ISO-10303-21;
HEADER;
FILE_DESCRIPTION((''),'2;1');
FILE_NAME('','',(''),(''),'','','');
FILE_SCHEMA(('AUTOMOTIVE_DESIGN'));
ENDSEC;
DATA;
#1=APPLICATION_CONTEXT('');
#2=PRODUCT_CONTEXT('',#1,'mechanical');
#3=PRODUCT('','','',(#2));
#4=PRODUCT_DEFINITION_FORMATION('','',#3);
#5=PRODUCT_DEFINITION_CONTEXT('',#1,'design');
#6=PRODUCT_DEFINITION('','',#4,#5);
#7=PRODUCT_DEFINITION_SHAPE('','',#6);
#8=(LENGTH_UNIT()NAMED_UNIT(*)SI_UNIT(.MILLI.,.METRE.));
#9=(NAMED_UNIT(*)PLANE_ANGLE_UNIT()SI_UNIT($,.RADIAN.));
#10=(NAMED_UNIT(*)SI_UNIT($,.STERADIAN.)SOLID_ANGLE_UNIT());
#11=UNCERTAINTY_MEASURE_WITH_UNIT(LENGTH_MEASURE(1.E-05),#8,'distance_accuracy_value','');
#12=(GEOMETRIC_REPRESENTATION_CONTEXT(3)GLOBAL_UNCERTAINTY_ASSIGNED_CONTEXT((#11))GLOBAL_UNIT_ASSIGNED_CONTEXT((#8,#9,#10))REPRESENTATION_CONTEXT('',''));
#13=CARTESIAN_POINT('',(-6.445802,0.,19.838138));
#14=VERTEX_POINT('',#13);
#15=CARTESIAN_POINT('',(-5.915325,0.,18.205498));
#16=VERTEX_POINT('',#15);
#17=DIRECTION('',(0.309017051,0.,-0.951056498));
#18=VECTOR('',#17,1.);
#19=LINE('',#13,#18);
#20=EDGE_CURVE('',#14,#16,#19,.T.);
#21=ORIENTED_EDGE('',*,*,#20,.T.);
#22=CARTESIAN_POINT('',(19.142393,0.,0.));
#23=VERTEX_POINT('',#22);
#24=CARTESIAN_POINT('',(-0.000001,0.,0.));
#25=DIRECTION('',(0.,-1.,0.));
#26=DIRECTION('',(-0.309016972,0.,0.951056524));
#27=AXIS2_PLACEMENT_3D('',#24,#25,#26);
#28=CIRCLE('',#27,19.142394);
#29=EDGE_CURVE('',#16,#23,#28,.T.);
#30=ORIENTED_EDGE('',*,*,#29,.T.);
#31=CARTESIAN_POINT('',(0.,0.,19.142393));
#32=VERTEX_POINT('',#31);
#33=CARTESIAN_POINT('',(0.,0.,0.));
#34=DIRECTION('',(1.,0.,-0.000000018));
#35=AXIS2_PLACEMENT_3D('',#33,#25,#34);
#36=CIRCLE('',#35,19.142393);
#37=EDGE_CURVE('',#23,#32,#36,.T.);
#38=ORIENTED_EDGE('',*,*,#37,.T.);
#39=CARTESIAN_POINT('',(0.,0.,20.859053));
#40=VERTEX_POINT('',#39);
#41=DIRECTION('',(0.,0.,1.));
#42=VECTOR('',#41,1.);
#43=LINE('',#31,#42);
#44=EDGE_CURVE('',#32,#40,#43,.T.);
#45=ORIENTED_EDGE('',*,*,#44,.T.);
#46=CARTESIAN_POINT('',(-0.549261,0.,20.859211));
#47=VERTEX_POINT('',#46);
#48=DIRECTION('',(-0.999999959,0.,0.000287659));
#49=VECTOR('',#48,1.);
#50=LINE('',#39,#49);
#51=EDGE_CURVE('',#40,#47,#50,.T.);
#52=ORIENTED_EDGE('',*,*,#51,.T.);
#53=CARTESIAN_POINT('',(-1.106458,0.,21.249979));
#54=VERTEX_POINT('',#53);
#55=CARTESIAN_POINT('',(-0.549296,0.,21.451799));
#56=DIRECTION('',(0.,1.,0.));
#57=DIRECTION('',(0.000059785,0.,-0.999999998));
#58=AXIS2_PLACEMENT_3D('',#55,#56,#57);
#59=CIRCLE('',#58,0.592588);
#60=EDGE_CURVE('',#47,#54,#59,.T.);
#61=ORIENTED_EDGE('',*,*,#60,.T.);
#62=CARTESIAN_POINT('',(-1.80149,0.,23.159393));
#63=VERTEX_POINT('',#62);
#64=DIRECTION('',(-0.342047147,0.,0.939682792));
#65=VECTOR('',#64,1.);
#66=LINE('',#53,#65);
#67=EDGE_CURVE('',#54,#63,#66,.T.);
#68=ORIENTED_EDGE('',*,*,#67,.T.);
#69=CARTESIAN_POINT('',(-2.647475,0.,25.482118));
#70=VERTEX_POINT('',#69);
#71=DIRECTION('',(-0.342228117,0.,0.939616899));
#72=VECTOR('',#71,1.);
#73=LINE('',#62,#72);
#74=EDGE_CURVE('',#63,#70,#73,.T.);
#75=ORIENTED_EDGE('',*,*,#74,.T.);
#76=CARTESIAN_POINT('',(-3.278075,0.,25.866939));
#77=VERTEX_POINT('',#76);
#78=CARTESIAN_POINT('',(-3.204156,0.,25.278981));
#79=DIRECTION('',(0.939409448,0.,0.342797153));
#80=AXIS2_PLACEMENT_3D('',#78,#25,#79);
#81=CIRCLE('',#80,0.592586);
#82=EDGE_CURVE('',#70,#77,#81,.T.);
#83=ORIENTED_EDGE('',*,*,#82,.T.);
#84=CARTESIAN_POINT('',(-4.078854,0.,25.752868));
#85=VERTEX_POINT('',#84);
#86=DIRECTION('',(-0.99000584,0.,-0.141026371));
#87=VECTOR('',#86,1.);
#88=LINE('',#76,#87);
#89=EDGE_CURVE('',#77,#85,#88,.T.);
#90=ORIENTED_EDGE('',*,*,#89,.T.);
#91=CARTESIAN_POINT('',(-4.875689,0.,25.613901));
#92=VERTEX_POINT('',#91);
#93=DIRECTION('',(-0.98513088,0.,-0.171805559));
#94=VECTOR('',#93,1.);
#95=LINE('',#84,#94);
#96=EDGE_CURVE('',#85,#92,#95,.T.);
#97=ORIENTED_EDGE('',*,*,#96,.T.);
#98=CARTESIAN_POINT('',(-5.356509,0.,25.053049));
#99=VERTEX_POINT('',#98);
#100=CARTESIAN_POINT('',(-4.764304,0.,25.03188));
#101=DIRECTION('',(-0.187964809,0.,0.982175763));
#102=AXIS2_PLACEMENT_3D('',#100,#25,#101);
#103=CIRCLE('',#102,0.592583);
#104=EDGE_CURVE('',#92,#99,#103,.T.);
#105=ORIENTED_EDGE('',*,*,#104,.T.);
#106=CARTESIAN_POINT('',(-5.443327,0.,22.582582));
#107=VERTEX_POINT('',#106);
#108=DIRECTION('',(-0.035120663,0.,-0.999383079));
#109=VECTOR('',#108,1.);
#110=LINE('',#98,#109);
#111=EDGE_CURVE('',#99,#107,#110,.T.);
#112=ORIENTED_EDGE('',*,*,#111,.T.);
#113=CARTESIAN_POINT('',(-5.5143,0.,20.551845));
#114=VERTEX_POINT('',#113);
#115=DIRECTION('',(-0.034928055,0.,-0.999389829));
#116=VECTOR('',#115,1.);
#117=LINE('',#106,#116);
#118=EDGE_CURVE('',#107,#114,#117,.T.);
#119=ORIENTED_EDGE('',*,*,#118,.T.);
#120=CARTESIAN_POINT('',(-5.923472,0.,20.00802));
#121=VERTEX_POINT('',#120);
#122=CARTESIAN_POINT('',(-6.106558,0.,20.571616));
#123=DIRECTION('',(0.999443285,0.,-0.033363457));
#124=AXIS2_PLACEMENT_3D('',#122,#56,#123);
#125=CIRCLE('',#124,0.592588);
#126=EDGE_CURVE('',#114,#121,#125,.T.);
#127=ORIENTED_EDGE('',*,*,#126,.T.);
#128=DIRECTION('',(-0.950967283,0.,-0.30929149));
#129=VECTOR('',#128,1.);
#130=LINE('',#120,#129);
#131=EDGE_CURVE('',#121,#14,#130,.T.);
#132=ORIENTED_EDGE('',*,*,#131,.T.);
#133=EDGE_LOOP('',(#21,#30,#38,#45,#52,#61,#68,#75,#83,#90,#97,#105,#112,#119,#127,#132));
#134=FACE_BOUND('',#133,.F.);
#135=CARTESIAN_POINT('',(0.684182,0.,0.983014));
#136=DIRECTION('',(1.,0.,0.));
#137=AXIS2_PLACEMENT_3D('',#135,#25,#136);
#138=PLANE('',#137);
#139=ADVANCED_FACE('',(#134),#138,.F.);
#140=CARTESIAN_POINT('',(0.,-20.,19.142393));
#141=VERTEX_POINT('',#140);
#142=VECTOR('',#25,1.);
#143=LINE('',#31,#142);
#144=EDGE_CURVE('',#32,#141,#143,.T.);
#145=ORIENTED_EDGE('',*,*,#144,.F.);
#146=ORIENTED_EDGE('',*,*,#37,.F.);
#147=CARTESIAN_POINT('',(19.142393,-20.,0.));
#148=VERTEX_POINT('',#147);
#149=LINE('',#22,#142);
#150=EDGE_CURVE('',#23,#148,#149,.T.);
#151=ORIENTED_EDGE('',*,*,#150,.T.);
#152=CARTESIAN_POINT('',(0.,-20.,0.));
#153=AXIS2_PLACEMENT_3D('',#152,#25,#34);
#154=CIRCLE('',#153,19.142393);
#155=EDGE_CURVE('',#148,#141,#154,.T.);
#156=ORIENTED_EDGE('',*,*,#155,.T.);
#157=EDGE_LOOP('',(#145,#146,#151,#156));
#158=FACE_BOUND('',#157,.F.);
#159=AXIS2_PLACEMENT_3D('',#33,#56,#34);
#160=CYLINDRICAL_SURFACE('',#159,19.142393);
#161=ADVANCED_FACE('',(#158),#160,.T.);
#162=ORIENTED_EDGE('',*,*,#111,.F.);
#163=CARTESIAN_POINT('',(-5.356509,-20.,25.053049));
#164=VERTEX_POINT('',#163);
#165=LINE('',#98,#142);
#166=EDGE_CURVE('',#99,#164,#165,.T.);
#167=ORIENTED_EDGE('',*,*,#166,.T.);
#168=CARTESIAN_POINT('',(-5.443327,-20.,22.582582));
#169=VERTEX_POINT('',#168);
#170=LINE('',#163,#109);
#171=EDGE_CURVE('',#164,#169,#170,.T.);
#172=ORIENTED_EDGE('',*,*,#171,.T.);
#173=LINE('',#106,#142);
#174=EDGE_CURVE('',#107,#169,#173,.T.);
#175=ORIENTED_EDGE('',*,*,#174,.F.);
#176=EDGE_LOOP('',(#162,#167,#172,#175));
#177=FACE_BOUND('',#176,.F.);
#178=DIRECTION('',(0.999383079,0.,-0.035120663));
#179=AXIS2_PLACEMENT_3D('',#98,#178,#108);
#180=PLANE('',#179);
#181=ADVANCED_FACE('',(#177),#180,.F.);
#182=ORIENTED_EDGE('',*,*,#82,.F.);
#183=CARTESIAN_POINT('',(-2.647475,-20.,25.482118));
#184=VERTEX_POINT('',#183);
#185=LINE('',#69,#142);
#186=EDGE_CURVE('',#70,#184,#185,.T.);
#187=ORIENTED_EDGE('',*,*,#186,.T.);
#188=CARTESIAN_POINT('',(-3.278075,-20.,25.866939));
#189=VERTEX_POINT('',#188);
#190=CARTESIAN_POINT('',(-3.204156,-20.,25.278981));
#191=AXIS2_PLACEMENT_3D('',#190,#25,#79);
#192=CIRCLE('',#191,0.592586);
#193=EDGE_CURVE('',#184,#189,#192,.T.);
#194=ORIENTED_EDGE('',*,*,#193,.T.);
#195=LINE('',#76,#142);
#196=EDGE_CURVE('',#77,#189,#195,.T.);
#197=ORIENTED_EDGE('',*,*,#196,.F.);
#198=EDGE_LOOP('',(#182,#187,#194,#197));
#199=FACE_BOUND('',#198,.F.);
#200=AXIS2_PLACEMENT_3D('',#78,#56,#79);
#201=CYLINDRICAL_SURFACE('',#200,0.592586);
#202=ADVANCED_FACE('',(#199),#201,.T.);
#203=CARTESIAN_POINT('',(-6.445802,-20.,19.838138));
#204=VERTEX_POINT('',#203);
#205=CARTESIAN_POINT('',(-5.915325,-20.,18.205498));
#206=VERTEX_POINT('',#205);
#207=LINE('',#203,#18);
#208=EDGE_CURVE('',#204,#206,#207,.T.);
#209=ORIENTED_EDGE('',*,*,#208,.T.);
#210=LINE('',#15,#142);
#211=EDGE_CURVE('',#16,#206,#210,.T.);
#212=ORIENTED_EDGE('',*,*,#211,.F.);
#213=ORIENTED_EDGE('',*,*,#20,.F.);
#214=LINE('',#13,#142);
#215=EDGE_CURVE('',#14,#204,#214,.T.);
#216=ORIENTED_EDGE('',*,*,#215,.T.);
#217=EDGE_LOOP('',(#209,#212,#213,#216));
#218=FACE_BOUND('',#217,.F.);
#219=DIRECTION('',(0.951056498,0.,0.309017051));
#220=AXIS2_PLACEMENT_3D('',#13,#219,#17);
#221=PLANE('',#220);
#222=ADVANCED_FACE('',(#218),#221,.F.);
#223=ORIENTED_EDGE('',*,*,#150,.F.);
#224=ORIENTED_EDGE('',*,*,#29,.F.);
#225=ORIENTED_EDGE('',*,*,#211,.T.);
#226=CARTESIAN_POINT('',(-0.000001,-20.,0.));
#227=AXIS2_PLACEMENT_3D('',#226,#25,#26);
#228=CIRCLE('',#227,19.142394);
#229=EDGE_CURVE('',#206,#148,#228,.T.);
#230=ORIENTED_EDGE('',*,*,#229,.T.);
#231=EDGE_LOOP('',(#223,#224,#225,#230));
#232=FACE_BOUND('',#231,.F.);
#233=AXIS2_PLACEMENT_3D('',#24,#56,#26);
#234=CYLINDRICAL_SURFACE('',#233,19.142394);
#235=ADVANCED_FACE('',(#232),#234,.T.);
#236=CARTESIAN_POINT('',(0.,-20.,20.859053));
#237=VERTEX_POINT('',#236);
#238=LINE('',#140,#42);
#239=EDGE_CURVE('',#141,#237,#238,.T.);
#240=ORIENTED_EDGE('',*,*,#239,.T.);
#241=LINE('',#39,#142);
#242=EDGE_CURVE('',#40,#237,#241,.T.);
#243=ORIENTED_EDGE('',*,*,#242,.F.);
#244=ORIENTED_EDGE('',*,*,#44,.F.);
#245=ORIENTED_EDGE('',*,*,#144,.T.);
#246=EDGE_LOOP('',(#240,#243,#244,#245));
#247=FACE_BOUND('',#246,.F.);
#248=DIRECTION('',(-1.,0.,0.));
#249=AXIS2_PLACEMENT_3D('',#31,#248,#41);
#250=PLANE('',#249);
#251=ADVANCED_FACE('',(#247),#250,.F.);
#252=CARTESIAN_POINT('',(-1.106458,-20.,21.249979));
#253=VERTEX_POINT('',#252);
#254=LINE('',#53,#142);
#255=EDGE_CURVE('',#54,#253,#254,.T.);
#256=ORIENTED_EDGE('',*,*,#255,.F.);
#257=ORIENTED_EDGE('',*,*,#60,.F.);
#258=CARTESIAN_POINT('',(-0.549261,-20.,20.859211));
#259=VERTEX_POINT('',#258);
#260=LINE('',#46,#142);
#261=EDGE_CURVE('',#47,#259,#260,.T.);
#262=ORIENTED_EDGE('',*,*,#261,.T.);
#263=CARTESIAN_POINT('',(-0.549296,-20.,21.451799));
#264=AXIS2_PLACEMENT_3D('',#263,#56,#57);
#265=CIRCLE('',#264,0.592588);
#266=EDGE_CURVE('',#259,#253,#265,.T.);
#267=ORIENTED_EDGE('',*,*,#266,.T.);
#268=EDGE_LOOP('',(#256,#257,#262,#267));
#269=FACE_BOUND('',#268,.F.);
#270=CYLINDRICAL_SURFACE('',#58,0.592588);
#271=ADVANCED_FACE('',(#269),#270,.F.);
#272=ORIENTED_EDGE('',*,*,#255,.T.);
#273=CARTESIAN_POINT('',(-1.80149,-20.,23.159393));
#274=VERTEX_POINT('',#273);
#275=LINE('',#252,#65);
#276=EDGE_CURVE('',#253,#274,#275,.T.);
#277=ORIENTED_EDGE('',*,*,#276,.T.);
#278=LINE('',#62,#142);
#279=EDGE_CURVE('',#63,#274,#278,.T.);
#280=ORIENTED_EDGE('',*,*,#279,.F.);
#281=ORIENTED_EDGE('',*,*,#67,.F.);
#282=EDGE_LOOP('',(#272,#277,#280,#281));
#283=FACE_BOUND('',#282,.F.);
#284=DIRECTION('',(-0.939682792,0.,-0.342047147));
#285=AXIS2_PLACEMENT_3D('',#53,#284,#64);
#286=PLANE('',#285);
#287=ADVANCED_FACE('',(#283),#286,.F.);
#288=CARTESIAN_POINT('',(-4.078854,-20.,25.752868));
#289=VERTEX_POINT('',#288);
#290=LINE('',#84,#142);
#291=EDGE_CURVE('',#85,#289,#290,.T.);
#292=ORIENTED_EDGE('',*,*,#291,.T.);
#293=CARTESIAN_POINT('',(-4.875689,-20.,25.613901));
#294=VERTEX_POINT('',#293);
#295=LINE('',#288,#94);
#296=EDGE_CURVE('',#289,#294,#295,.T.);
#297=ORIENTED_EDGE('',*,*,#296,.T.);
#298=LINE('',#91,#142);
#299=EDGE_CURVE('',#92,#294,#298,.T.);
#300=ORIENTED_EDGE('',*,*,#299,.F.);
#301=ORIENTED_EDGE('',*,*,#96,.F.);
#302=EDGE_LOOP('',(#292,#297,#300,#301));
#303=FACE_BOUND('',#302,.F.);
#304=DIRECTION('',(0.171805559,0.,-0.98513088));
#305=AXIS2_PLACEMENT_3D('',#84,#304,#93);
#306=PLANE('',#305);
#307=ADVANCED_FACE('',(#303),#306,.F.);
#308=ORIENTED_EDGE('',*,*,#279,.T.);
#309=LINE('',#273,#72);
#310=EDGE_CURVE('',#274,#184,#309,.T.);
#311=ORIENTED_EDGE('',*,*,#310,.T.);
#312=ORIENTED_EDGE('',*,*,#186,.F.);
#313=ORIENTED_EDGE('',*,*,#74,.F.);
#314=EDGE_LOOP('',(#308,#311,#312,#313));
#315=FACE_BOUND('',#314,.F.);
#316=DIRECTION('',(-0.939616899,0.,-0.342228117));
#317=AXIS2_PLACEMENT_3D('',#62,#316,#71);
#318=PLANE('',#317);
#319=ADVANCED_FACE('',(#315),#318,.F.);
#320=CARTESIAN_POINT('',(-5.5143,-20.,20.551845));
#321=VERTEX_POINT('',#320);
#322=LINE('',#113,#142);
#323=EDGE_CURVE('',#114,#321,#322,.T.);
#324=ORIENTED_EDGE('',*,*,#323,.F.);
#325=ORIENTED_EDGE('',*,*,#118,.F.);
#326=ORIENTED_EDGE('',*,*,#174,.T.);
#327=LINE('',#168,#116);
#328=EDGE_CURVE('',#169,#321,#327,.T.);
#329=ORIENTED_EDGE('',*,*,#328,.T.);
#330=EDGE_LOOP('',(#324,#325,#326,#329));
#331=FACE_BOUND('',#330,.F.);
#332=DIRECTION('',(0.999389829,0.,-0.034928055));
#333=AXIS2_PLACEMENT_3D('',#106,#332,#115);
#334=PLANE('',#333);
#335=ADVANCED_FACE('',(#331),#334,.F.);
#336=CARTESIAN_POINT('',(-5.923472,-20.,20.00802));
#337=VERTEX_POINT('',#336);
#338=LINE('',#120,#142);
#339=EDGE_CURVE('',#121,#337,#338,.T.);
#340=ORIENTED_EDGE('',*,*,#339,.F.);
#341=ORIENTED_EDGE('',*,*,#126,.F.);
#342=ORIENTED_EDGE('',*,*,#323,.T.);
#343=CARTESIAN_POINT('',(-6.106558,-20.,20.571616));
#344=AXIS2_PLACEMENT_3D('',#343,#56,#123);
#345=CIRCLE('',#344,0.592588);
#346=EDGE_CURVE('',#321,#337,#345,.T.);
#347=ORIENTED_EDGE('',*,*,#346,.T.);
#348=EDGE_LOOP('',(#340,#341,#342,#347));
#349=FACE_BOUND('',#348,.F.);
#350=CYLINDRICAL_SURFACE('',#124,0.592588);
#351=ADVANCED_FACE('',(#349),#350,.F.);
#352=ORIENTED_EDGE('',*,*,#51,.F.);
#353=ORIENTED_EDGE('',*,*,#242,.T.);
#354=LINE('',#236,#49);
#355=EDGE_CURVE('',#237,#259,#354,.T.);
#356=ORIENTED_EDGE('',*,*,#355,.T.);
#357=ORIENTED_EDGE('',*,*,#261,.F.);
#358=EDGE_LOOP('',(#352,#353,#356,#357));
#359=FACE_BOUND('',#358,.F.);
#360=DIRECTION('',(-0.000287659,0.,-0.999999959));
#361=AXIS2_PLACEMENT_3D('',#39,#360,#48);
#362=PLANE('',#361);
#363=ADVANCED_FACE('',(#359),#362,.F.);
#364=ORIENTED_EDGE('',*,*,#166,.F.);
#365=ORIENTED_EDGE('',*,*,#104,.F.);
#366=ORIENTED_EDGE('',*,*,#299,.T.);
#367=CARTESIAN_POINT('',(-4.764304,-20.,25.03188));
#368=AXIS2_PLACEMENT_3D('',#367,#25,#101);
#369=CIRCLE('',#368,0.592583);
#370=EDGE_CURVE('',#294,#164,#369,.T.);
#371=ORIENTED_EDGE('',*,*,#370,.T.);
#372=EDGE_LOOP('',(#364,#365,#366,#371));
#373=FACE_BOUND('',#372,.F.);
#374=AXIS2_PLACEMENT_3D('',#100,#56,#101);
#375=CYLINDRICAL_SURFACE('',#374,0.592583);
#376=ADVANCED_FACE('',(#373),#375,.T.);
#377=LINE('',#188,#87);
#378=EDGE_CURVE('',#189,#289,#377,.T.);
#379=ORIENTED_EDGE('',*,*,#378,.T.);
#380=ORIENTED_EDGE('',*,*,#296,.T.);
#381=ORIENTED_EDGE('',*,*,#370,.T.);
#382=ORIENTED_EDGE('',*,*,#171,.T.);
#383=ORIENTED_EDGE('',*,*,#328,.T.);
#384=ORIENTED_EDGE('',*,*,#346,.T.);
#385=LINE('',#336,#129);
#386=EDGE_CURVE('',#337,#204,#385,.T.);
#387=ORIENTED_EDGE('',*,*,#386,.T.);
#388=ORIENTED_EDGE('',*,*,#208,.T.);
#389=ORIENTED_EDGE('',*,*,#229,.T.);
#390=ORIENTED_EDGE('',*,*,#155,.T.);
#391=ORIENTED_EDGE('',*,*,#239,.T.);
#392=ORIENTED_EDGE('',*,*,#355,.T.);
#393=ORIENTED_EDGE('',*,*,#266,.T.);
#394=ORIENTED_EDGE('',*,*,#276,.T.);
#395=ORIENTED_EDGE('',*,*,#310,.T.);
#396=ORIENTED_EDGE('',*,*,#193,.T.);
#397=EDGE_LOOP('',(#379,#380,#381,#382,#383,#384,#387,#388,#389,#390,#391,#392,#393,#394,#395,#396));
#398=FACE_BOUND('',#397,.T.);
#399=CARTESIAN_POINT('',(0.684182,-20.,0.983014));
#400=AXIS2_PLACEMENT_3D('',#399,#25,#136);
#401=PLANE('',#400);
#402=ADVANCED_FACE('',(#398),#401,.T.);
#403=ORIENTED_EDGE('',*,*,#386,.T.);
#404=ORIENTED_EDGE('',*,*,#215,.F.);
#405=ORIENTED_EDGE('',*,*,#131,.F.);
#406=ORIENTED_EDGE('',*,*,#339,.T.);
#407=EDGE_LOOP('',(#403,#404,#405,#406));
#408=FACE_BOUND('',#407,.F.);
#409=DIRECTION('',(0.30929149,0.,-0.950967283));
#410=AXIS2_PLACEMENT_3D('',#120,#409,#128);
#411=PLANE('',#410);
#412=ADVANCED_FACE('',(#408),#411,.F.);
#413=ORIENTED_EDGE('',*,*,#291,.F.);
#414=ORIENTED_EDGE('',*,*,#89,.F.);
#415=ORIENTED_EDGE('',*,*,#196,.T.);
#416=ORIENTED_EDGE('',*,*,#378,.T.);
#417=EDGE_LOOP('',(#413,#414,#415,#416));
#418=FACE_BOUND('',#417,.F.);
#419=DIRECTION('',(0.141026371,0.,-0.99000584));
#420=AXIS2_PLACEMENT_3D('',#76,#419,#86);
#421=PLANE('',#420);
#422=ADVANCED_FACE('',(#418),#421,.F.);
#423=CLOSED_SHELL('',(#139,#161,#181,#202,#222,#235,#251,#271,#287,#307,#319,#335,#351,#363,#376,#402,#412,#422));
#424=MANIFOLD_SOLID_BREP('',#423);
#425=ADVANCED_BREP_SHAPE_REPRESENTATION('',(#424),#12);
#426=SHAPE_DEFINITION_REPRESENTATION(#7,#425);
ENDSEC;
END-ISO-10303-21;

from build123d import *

# Parameters (mm, degrees)
F1_DEPTH = 20


with BuildPart() as f1:
    # F0 (on Front) → F1 (new body)
    with BuildSketch(Plane.XZ):
        with BuildLine():
            ThreePointArc((-2.99453, 18.906719), (-4.468703, 18.613488), (-5.915325, 18.205498))
            ThreePointArc((-5.915325, 18.205498), (-11.251617, -15.486522), (19.142393, 0))
            ThreePointArc((19.142393, 0), (13.535716, 13.535716), (0, 19.142393))
            ThreePointArc((0, 19.142393), (-1.501895, 19.083384), (-2.99453, 18.906719))
        make_face()
        with BuildLine():
            Line((-6.445802, 19.838138), (-5.915325, 18.205498))
            ThreePointArc((-5.915325, 18.205498), (-4.468703, 18.613488), (-2.99453, 18.906719))
            Line((-2.99453, 18.906719), (-4.078854, 25.752868))
            Line((-4.078854, 25.752868), (-4.875689, 25.613901))
            ThreePointArc((-4.875689, 25.613901), (-5.214191, 25.41757), (-5.356509, 25.053049))
            Line((-5.356509, 25.053049), (-5.443327, 22.582582))
            Line((-5.443327, 22.582582), (-5.5143, 20.551845))
            ThreePointArc((-5.5143, 20.551845), (-5.633033, 20.215337), (-5.923472, 20.00802))
            Line((-5.923472, 20.00802), (-6.445802, 19.838138))
        make_face()
        with BuildLine():
            Line((-4.078854, 25.752868), (-2.99453, 18.906719))
            ThreePointArc((-2.99453, 18.906719), (-1.501895, 19.083384), (0, 19.142393))
            Line((0, 19.142393), (0, 20.859053))
            Line((0, 20.859053), (-0.549261, 20.859211))
            ThreePointArc((-0.549261, 20.859211), (-0.88955, 20.966631), (-1.106458, 21.249979))
            Line((-1.106458, 21.249979), (-1.80149, 23.159393))
            Line((-1.80149, 23.159393), (-2.647475, 25.482118))
            ThreePointArc((-2.647475, 25.482118), (-2.895471, 25.784819), (-3.278075, 25.866939))
            Line((-3.278075, 25.866939), (-4.078854, 25.752868))
        make_face()
    extrude(amount=F1_DEPTH)


solid = f1.part
